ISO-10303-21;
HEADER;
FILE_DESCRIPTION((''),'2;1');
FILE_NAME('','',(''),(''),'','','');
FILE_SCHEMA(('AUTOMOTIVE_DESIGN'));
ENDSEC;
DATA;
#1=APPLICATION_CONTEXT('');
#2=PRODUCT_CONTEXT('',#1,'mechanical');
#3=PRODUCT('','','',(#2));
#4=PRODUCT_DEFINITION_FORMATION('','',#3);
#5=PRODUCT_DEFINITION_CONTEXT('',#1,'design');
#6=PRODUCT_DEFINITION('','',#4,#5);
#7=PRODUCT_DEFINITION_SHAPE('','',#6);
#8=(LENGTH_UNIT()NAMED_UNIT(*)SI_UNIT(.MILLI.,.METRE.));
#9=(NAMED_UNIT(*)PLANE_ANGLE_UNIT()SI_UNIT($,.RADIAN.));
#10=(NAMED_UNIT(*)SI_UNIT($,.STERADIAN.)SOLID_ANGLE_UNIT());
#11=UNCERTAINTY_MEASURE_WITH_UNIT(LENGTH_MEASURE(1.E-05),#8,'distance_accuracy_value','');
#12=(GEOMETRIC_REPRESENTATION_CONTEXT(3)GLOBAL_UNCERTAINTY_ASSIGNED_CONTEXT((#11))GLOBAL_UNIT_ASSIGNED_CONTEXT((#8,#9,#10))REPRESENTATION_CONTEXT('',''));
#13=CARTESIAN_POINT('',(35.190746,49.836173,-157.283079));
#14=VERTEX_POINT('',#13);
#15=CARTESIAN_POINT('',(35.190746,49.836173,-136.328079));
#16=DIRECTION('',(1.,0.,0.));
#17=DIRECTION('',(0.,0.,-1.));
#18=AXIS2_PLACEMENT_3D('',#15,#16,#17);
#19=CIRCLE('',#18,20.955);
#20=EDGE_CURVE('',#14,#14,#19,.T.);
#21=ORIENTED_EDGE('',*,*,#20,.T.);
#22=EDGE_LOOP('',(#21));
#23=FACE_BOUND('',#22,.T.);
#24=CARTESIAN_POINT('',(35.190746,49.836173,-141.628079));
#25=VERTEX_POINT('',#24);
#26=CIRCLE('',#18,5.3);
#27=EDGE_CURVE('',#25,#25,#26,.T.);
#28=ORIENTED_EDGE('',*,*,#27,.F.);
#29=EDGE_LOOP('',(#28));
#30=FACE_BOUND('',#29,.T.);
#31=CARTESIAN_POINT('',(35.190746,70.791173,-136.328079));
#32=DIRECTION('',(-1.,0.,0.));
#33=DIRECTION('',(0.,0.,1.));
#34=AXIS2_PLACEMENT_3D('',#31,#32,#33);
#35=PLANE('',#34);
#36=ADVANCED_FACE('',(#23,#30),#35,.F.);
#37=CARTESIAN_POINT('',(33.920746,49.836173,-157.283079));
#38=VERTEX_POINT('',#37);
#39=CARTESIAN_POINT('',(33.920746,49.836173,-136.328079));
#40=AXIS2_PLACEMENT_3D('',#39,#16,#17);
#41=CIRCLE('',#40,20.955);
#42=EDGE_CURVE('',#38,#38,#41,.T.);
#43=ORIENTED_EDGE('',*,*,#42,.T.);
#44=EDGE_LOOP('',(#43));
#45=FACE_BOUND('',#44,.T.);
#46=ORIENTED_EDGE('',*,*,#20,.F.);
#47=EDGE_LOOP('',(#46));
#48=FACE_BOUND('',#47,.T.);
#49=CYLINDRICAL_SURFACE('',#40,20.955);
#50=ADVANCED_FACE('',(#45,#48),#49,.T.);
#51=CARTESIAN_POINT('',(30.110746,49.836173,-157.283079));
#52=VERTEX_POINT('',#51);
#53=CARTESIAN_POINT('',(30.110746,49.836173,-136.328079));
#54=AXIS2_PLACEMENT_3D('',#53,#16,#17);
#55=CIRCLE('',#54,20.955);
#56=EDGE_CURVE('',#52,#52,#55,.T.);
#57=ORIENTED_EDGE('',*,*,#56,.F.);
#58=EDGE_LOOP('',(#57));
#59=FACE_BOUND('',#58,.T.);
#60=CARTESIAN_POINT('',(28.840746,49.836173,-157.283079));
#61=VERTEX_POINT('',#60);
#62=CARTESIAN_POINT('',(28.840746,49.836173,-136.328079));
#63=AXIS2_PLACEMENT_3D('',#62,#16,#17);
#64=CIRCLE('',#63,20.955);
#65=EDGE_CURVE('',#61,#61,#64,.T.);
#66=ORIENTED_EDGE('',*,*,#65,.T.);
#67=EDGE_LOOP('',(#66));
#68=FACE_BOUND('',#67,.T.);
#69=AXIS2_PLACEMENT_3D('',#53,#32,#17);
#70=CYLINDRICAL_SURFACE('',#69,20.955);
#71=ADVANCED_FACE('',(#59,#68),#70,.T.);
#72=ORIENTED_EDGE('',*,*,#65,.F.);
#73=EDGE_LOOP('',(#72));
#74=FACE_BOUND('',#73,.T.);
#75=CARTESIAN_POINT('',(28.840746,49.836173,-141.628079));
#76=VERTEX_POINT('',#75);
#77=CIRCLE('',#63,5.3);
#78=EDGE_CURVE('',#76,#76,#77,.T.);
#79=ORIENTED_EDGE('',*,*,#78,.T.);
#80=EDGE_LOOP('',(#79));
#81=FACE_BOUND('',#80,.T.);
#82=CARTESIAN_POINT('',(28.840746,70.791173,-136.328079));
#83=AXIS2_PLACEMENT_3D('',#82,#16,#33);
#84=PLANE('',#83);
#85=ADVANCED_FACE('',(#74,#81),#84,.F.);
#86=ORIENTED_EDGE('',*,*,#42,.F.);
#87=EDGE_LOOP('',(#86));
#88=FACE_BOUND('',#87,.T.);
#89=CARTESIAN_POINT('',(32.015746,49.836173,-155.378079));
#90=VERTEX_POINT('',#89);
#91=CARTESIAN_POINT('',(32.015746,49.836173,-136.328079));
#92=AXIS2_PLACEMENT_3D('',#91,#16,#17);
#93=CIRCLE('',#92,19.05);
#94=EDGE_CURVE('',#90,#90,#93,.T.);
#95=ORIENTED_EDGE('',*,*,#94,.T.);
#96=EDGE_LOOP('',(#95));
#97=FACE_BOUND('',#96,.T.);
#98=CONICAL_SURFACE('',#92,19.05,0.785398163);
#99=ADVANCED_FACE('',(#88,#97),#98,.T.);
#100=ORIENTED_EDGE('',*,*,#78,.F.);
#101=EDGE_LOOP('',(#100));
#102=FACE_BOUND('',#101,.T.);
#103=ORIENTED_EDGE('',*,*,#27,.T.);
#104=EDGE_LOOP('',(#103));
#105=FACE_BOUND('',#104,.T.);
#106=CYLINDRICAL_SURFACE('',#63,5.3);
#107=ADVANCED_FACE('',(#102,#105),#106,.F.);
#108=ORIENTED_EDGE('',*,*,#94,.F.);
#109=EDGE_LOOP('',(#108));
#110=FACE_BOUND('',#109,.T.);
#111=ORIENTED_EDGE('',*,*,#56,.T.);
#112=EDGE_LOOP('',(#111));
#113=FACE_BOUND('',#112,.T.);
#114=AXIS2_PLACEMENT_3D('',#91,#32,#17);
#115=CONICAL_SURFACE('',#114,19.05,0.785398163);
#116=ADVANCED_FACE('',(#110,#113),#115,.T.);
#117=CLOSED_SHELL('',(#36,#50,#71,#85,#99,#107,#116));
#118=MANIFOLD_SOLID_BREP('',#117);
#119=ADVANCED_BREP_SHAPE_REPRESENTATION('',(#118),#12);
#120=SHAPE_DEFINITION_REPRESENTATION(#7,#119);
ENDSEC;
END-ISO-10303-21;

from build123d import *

# Parameters (mm, degrees)
SKETCH1_R           = 19.05
BOSS_EXTRUDE1_DEPTH = 1.905
SKETCH6_R           = 5.3
CUT_EXTRUDE2_DEPTH  = 7.35


with BuildPart() as part:
    # Sketch1 → Boss-Extrude1 (new body, symmetric)
    with BuildSketch(Plane(origin=(32.015745885, 0, 0), x_dir=(0, 0, -1), z_dir=(1, 0, 0))):
        with Locations((136.328078847, 49.836172535)):
            Circle(SKETCH1_R)
    extrude(amount=BOSS_EXTRUDE1_DEPTH, both=True)

    # Sketch5 → Revolve1 (revolve)
    with BuildSketch(Plane(origin=(0, 0, -136.328078847), x_dir=(-1, 0, 0), z_dir=(0, 0, -1))):
        Polygon((-32.015745885, 68.886172535), (-33.920745885, 70.791172535), (-35.190745885, 70.791172535), (-35.190745885, 49.836172535), (-33.920745885, 49.836172535), (-33.920745885, 68.886172535), align=None)
    revolve1 = revolve(axis=Axis((33.920745885, 49.836172535, -136.328078847), (-1, 0, 0)))

    # Mirror2: Revolve1 across plane
    add(revolve1.mirror(Plane(origin=(32.015745885, 0, 0), x_dir=(0, 0, 1), z_dir=(1, 0, 0))))

    # Sketch6 → Cut-Extrude2 (cut, through all)
    with BuildSketch(Plane(origin=(35.190745885, 0, 0), x_dir=(0, 0, -1), z_dir=(1, 0, 0))):
        with Locations((136.328078847, 49.836172535)):
            Circle(SKETCH6_R)
    extrude(amount=-CUT_EXTRUDE2_DEPTH, mode=Mode.SUBTRACT)


solid = part.part
